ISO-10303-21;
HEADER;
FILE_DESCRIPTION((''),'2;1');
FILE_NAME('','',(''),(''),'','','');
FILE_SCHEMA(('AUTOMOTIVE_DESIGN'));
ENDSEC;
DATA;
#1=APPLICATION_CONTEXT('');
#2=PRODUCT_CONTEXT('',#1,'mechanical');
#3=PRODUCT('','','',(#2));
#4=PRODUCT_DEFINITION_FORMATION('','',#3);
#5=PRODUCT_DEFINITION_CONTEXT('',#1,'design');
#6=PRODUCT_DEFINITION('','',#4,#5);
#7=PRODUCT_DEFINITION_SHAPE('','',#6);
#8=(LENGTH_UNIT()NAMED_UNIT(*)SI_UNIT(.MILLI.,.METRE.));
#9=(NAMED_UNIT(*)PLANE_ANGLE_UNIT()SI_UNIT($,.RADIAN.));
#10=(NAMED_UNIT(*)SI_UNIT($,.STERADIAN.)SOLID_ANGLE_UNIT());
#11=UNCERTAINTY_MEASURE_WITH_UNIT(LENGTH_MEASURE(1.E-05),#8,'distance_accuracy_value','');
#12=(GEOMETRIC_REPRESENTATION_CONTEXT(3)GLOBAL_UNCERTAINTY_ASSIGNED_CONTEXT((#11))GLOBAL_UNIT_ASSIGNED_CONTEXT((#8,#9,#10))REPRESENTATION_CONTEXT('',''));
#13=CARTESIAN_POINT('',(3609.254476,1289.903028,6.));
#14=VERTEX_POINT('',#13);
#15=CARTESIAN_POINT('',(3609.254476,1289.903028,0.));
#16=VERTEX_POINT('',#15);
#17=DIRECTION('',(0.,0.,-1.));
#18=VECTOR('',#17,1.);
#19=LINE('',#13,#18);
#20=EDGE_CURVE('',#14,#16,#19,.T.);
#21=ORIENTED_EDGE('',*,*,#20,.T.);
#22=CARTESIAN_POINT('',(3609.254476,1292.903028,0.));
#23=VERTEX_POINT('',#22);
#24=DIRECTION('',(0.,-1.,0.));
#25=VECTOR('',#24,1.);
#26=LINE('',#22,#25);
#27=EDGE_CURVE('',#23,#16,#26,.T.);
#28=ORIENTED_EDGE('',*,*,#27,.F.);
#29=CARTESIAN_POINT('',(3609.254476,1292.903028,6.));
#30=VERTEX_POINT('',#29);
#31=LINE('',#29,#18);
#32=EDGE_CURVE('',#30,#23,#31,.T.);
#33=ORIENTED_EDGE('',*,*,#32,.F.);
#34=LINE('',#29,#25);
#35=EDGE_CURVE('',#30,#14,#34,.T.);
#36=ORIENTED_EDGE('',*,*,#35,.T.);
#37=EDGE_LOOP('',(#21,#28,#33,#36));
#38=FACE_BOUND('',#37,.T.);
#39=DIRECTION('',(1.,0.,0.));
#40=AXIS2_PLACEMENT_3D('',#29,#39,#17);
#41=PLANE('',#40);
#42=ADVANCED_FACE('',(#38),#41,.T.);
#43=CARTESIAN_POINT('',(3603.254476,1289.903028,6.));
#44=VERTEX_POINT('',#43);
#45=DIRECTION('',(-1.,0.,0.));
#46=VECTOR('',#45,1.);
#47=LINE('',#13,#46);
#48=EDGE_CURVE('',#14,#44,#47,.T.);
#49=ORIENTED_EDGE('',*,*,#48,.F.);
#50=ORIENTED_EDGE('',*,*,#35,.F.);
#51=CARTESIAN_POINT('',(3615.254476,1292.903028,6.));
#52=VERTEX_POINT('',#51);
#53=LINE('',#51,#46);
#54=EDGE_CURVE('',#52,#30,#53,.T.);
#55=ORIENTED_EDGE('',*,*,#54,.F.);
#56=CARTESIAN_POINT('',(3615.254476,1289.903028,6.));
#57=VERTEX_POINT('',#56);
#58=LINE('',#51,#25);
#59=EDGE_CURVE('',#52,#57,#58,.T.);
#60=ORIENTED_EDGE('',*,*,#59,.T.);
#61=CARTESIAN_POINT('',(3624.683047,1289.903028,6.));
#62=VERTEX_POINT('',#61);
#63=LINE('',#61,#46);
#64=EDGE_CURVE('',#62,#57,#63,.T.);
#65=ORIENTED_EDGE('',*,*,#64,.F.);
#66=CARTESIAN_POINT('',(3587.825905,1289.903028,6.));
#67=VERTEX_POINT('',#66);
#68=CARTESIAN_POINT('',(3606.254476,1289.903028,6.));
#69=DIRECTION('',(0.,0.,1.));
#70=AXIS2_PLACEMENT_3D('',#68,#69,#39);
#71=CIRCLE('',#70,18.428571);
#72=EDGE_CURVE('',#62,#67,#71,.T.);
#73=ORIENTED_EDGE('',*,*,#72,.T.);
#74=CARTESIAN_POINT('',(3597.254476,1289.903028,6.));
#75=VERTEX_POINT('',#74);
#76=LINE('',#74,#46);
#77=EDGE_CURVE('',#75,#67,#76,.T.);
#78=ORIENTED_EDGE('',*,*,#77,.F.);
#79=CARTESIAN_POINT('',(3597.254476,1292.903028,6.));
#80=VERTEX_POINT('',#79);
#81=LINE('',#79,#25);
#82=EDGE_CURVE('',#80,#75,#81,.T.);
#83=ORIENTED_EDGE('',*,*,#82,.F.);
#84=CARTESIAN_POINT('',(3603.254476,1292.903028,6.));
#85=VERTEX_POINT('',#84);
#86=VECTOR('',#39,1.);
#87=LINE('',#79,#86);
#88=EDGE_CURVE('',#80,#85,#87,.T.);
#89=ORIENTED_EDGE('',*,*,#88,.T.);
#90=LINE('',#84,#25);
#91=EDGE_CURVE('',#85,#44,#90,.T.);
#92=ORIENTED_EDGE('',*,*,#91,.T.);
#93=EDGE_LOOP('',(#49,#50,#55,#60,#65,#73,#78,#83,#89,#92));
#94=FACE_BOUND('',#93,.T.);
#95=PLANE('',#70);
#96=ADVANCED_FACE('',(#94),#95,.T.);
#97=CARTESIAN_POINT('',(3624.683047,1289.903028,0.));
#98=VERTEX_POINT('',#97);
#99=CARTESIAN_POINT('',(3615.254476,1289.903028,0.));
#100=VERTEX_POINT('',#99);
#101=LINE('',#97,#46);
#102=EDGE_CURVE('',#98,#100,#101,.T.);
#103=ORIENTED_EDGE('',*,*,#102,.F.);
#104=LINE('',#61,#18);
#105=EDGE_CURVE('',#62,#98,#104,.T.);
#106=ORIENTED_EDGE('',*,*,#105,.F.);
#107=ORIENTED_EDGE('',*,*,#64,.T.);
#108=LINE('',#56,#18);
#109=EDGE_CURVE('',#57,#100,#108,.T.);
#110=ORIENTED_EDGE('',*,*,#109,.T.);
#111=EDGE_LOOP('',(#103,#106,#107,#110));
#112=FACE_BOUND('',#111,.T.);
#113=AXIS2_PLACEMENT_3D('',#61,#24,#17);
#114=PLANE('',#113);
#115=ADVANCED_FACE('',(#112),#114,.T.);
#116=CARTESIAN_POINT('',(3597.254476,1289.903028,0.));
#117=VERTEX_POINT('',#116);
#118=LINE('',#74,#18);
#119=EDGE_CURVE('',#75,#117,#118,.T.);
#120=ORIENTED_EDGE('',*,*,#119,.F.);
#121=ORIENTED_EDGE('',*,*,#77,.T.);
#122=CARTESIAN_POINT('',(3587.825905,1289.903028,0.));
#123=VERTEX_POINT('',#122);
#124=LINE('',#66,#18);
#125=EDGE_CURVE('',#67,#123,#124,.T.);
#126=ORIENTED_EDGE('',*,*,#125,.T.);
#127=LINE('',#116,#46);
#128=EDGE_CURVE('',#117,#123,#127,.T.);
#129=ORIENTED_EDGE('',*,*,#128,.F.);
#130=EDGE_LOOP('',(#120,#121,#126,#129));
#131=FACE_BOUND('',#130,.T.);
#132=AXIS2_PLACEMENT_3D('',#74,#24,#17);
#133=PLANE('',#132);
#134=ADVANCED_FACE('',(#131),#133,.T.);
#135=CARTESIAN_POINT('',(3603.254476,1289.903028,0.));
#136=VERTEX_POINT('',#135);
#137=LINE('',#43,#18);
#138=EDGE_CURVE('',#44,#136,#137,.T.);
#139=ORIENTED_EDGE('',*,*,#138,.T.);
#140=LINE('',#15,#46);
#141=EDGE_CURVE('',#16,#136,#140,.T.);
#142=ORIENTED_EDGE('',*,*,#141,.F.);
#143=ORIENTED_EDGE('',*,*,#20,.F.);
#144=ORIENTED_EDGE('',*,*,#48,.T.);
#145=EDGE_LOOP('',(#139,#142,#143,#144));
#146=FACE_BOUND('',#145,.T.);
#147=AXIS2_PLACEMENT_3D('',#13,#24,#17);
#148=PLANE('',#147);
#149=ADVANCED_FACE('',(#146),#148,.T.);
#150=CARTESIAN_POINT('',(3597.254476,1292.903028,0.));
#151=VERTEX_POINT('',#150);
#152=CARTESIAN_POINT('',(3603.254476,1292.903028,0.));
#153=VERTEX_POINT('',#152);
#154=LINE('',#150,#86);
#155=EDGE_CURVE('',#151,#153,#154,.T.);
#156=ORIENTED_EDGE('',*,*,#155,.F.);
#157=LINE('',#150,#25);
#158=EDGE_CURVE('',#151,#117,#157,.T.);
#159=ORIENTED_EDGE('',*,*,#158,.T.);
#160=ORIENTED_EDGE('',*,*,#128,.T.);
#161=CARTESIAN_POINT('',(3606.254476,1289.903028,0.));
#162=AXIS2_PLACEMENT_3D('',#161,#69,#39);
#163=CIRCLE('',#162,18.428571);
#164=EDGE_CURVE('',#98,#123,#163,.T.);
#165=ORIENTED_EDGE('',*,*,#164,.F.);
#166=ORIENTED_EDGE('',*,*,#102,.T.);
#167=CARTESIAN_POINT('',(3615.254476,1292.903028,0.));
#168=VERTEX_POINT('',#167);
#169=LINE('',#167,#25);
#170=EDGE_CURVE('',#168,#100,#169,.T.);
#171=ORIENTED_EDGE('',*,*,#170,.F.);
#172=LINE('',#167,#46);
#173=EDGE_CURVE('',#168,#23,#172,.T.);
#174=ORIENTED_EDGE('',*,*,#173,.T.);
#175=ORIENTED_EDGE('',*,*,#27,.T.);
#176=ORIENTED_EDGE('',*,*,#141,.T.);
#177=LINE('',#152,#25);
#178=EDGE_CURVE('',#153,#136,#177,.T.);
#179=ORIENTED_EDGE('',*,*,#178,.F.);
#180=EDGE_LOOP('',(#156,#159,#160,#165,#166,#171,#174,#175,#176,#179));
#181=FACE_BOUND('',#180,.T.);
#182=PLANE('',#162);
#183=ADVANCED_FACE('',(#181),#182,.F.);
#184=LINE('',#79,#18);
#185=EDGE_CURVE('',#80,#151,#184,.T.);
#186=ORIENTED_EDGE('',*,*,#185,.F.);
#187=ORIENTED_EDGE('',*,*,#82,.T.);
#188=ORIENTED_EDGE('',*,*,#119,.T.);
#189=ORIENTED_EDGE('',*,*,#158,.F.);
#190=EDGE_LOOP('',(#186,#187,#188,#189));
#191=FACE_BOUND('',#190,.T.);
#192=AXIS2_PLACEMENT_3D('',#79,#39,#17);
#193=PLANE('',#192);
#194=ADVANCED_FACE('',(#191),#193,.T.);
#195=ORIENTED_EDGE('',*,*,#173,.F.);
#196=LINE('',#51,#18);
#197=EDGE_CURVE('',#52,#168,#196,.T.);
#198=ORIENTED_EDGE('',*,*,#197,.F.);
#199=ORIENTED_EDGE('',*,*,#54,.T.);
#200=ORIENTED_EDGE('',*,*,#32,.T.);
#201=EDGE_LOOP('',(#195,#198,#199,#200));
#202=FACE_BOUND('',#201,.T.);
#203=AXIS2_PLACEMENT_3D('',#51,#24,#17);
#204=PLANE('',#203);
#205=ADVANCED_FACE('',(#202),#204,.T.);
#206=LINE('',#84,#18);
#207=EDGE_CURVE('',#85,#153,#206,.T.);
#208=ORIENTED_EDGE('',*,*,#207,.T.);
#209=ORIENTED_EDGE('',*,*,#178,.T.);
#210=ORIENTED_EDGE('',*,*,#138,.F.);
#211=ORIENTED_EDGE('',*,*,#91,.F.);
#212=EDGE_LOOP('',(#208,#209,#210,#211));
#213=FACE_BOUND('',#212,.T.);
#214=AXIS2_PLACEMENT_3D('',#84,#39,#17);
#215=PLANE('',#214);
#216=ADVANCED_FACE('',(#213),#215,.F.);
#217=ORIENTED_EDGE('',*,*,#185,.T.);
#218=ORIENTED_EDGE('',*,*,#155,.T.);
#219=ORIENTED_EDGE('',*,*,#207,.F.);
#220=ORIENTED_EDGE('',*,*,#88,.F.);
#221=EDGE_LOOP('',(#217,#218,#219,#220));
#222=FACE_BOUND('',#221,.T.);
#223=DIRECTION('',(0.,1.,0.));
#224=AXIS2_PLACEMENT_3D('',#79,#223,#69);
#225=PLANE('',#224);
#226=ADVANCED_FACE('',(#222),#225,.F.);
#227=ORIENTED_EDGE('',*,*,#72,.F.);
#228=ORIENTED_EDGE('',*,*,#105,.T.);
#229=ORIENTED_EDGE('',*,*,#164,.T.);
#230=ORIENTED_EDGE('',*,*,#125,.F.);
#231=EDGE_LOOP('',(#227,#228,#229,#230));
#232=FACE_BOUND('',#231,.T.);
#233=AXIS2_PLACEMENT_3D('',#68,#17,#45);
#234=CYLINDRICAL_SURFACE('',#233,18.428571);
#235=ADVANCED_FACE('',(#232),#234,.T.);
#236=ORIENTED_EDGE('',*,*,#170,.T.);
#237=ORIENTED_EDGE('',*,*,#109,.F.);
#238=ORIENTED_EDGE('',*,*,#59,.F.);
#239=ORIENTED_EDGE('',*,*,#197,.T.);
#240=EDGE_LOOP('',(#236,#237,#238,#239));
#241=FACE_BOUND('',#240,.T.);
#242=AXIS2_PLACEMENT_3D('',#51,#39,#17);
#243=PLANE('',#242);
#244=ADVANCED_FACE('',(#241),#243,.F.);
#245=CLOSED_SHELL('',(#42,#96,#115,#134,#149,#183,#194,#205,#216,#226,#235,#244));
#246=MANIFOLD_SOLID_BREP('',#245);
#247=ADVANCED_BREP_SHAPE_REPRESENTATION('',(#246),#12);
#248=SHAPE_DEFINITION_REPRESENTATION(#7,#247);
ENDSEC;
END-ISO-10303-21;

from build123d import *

# Parameters (mm, degrees)
BOSS_EXTRUDE1_DEPTH = 6


with BuildPart() as part:
    # Model → Boss-Extrude1 (new body)
    with BuildSketch(Plane.XY):
        with BuildLine():
            Line((3624.683047417, 1289.903027574), (3615.254475988, 1289.903027574))
            Line((3615.254475988, 1289.903027574), (3615.254475988, 1292.903027574))
            Line((3615.254475988, 1292.903027574), (3609.254475988, 1292.903027574))
            Line((3609.254475988, 1292.903027574), (3609.254475988, 1289.903027574))
            Line((3609.254475988, 1289.903027574), (3603.254475988, 1289.903027574))
            Line((3603.254475988, 1289.903027574), (3603.254475988, 1292.903027574))
            Line((3603.254475988, 1292.903027574), (3597.254475988, 1292.903027574))
            Line((3597.254475988, 1292.903027574), (3597.254475988, 1289.903027574))
            Line((3597.254475988, 1289.903027574), (3587.82590456, 1289.903027574))
            ThreePointArc((3587.82590456, 1289.903027574), (3606.254475988, 1308.331599003), (3624.683047417, 1289.903027574))
        make_face()
    extrude(amount=BOSS_EXTRUDE1_DEPTH)


solid = part.part
